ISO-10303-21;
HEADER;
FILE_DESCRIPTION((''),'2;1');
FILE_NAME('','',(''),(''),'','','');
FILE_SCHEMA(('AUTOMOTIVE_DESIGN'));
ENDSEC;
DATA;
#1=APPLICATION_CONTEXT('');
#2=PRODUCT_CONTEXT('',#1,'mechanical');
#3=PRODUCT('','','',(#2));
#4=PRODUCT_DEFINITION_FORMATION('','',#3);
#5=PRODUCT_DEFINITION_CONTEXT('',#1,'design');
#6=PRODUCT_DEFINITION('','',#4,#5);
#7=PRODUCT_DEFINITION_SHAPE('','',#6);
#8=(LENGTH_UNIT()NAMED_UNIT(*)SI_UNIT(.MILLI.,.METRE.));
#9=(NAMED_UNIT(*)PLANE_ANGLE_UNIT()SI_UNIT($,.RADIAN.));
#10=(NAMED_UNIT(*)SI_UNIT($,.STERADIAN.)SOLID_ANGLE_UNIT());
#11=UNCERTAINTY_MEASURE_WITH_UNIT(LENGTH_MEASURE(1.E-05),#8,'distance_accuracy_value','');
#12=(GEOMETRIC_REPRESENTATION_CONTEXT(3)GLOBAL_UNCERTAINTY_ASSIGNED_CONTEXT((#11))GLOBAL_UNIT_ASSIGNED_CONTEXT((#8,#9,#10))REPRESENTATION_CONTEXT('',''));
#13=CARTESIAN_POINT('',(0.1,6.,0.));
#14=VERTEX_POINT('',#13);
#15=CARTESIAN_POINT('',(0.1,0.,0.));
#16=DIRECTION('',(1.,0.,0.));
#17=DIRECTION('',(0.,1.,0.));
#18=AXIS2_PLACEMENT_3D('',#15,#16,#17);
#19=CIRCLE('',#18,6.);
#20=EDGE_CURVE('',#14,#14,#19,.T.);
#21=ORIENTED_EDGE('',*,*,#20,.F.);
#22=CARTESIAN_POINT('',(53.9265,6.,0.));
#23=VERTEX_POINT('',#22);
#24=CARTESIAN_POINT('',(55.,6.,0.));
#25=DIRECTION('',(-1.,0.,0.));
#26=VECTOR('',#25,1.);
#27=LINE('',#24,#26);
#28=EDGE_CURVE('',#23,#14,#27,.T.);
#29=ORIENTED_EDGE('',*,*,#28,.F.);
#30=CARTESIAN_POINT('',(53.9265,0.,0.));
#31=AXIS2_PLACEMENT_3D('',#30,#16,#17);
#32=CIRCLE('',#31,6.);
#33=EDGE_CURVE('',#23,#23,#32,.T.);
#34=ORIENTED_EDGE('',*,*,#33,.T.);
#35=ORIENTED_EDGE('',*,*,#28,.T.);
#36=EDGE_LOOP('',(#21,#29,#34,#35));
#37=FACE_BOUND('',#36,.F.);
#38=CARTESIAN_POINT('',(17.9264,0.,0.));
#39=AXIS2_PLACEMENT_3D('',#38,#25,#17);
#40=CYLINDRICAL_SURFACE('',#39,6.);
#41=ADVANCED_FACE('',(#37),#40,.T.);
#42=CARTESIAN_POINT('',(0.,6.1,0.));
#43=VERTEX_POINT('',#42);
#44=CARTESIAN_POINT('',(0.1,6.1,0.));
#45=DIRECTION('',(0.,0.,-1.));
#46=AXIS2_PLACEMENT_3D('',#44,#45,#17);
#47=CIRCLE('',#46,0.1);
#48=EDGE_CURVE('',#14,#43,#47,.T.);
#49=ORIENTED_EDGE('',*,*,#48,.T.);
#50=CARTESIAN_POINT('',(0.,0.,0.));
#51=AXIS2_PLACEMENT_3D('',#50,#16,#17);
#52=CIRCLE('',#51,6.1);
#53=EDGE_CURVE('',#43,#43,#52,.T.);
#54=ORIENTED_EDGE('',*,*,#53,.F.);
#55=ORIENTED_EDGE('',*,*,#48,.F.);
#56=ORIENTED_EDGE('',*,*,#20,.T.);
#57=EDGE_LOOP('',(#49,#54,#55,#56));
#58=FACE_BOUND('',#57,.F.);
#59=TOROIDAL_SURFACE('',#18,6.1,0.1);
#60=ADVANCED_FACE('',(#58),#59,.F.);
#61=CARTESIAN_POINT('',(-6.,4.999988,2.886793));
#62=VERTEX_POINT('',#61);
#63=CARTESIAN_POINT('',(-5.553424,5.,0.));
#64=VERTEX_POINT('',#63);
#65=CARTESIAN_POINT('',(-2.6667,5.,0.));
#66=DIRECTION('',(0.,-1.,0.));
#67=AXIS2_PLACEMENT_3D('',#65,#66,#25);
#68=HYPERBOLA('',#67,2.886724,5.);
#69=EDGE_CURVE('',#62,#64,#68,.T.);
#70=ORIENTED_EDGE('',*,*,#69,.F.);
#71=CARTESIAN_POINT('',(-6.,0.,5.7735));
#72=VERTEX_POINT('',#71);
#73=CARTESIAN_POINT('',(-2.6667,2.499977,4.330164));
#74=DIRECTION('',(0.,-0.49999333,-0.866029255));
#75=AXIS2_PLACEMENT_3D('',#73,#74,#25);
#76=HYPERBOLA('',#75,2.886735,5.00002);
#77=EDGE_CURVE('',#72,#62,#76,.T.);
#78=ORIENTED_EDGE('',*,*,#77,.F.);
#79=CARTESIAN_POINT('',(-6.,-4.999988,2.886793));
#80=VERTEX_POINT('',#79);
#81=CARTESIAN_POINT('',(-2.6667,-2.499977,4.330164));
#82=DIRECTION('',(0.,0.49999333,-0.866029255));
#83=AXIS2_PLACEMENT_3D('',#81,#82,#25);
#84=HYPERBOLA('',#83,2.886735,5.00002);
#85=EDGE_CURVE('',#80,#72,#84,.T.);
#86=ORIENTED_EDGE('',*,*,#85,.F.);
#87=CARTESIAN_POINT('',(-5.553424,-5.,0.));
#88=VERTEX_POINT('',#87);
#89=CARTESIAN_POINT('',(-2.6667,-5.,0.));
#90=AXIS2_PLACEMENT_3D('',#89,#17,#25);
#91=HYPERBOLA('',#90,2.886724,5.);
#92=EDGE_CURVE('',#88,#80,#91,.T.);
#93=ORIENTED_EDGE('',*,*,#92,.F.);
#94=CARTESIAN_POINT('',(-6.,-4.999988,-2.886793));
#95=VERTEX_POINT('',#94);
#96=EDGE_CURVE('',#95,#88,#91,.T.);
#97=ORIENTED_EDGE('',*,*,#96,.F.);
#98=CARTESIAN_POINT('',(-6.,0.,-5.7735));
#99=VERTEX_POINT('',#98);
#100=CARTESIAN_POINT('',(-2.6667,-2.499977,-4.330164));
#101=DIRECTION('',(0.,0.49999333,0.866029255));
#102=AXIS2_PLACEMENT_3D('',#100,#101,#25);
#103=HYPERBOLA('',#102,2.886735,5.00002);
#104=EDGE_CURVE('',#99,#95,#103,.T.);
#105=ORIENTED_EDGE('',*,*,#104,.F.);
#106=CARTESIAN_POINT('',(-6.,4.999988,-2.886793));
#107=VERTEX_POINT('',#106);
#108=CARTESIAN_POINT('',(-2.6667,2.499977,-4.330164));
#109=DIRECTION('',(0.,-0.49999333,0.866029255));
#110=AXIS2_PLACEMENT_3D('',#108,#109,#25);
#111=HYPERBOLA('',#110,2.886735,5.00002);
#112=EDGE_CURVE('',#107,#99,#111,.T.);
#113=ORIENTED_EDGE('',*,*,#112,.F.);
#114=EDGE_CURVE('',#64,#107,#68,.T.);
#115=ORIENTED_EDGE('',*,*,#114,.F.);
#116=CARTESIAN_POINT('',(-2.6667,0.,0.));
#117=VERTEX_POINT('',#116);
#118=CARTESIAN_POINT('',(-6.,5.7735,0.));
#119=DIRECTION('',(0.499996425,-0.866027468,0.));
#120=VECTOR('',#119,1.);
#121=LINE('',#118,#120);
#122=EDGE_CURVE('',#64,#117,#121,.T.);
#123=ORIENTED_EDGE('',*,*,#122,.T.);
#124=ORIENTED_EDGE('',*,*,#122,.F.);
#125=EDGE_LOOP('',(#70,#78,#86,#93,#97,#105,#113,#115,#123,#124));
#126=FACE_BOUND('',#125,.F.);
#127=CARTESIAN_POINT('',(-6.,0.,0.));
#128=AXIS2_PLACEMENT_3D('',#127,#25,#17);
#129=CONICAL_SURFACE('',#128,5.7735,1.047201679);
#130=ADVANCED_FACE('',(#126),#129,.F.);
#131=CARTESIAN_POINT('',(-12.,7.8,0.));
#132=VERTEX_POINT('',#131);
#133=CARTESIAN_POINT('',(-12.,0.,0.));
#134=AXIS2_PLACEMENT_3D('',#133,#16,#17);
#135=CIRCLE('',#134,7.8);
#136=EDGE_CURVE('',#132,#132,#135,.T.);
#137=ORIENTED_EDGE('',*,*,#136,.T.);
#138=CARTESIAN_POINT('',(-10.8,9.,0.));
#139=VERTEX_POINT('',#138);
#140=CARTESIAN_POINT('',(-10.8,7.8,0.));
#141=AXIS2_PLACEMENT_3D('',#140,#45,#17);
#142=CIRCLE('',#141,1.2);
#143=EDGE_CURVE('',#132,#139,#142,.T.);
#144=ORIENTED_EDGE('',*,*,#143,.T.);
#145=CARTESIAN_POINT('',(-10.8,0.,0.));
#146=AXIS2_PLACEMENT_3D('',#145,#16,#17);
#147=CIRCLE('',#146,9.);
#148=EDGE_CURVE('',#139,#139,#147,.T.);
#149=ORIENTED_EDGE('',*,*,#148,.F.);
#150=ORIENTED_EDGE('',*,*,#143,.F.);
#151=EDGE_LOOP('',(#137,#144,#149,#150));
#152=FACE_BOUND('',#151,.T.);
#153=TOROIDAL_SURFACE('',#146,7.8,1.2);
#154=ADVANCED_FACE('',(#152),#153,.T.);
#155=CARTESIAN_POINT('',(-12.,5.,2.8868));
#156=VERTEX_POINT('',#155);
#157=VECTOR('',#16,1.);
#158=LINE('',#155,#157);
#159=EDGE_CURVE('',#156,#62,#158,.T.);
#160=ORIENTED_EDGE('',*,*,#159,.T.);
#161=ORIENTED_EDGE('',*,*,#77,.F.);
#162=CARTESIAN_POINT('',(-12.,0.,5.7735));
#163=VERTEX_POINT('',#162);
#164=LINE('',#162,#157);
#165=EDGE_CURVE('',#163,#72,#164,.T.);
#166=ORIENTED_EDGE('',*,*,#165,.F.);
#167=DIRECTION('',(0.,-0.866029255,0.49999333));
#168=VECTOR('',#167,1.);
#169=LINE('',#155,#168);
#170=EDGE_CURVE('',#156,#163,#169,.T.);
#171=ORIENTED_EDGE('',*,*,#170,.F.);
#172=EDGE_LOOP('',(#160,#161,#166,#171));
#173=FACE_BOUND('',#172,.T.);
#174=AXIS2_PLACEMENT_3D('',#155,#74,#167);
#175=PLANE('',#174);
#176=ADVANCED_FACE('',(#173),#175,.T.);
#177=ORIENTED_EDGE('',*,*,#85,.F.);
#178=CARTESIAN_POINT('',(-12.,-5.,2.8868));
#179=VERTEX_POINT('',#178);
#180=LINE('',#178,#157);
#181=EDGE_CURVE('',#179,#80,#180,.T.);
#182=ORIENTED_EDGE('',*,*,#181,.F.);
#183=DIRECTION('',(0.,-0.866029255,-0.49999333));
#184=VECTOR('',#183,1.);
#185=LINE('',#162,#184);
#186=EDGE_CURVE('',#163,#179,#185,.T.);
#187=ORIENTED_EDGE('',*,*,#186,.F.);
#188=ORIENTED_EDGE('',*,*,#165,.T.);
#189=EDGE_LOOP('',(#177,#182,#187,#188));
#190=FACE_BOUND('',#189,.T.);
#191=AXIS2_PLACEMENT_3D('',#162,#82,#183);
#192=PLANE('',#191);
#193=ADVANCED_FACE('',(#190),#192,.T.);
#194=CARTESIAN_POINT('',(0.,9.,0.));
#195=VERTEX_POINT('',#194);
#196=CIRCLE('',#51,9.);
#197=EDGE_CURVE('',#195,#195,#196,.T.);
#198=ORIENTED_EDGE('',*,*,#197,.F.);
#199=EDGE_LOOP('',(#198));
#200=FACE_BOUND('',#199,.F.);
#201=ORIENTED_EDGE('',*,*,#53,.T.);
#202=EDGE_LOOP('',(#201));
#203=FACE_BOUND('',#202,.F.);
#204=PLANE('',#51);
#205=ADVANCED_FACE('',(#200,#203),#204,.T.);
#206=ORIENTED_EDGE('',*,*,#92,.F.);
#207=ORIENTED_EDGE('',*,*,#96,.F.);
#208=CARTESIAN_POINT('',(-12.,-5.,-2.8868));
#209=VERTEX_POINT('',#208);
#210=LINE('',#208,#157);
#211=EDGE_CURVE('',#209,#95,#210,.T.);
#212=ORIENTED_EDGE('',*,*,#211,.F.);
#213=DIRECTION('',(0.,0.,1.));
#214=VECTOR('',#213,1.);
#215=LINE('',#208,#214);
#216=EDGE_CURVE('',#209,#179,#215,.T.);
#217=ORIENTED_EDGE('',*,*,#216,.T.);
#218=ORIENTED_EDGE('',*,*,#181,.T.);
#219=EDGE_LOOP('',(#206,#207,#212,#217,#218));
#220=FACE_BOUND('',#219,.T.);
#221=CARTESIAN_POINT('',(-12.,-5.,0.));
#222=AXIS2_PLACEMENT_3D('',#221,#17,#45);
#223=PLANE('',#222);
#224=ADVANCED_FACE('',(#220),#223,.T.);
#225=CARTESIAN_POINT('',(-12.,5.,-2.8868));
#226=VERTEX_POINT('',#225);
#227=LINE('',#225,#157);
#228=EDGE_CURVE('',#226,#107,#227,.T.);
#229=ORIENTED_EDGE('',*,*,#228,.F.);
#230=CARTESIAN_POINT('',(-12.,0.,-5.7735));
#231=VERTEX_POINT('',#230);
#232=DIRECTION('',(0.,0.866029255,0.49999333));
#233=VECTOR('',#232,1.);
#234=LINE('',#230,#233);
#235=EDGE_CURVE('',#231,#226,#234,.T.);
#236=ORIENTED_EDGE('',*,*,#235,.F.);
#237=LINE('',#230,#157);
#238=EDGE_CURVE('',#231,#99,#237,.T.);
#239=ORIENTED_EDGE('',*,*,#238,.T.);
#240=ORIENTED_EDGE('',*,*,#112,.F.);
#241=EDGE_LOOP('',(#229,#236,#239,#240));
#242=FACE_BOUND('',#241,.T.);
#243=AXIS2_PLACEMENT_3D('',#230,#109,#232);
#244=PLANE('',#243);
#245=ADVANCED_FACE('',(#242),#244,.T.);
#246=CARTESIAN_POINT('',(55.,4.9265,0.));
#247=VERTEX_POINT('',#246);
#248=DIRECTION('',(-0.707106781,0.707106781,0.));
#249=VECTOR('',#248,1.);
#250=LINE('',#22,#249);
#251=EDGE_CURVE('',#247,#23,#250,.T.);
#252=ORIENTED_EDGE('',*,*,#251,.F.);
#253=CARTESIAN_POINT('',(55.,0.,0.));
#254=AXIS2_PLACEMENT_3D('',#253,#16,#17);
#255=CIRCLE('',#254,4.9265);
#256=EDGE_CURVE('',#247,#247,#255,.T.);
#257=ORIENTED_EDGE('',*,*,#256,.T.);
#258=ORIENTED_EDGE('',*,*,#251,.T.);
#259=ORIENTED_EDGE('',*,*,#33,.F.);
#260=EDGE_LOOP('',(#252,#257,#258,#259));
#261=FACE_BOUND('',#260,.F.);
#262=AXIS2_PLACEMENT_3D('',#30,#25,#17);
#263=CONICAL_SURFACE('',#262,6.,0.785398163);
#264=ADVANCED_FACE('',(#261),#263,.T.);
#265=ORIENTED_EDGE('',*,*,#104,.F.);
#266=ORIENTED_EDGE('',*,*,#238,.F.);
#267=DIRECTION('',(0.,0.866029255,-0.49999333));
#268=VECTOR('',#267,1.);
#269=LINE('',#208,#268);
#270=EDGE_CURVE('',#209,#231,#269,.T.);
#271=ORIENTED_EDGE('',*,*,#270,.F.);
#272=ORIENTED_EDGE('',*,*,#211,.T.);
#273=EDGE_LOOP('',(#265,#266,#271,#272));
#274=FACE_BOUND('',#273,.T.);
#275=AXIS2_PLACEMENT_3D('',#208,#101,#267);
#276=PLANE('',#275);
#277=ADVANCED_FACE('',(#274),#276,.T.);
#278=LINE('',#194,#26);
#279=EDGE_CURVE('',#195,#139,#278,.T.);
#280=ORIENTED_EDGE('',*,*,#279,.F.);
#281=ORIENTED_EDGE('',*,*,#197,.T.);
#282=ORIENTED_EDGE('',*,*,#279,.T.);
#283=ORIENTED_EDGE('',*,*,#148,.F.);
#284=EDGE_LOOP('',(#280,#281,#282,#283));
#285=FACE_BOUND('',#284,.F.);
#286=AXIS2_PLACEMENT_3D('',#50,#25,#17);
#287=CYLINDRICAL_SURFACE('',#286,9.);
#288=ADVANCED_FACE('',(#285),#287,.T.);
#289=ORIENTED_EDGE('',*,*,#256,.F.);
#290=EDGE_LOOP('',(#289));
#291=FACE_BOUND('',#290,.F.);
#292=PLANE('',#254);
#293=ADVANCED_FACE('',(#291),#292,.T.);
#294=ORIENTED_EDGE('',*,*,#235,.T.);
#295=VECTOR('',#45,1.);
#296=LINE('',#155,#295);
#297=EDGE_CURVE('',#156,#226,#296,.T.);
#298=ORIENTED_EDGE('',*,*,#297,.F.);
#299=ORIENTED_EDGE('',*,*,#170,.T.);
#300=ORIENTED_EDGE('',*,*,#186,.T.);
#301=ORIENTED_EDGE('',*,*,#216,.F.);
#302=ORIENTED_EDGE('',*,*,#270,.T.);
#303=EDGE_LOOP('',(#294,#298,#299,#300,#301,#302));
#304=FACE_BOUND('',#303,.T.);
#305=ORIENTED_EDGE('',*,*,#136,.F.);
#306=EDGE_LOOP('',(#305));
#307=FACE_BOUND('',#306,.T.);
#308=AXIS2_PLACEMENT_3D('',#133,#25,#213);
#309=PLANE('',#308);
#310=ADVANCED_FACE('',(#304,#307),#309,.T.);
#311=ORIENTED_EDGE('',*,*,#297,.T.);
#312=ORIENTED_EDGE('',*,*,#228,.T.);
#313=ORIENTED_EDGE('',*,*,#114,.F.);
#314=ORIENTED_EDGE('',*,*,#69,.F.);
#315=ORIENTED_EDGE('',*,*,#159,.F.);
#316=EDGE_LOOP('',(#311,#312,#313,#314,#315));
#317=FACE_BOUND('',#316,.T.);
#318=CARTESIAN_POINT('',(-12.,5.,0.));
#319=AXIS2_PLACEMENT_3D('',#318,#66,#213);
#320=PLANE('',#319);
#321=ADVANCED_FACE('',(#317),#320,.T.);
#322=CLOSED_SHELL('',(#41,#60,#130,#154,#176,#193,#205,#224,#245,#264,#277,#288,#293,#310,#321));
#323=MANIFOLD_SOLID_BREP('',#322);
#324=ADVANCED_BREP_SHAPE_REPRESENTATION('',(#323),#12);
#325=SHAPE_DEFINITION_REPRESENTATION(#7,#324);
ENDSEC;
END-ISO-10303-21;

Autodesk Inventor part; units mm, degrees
ref_plane "YZ Plane" through (0, 0, 0) normal (1, 0, 0) x (0, 1, 0)
ref_plane "XZ Plane" through (0, 0, 0) normal (0, 1, 0) x (-1, 0, 0)
sketch "Skizze1" plane through (0, 0, 0) normal (0, 0, 1) x (1, 0, 0)
  line L0 (-2.6667, 0) -> (55, 0)
  line L1 (55, 0) -> (55, 6)
  line L2 (55, 6) -> (19, 6)
  line L3 (19, 6) -> (17.9264, 6)
  line L4 (17.9264, 6) -> (0, 6)
  line L5 (0, 6) -> (0, 9)
  line L6 (0, 9) -> (-12, 9)
  line L7 (-12, 9) -> (-12, 5.7735)
  line L8 (-12, 5.7735) -> (-6, 5.7735)
  line L9 (-6, 5.7735) -> (-2.6667, 0)
  line L10 (-25.4, 0) -> (68.4, 0) projected
  line L11 (0, -1.8) -> (0, 10.8) projected
  line L12 (19, 6) -> (0, 6) construction
  dimension "d1" = 36
  dimension "d2" = 1.0736
  dimension "d3" = 12
  dimension "d4" = 6
  dimension "d5" = 60
  dimension "d6" = 12
  dimension "d7" = 12
  dimension "d8" = 11.547
  dimension "d9" = 18
  dimension "d26" = 55
revolve "Körper" add sketch "Skizze1" angle 360 about axis through (-2.6667, 0, 0) along (1, 0, 0)
sketch "Skizze2" plane through (-12, 0, 0) normal (-1, 0, 0) x (0, 0, 1)
  circle A0 centre (0, 0) radius 5.7735 projected
  line L0 (0, -12.6) -> (0, 12.6) projected
  line L1 (-12.6, 0) -> (12.6, 0) projected
  line L2 (5.7735, 0) -> (2.8868, -5)
  line L3 (2.8868, -5) -> (-2.8868, -5)
  line L4 (-2.8868, -5) -> (-5.7735, 0)
  line L5 (-5.7735, 0) -> (-2.8868, 5)
  line L6 (-2.8868, 5) -> (2.8868, 5)
  line L7 (2.8868, 5) -> (5.7735, 0)
extrude "Loch" add sketch "Skizze2" against normal up to next contours L7 A0 | A0 L2 | L6 L0 A0 | A0 L0 L3 | L0 L6 A0 | A0 L3 L0 | L4 A0 | A0 L5
fillet "Rundung1" radius 1.2 1 edges at (-12, -9, 0)
thread "Gewinde" size "M12x1.75" class "6g" standard "ISO Metric profile" length 36
chamfer "Fase1" distance 1.0735 distance2 1.0735 1 edges at (55, -6, 0) measured on face at (55, 1.497, 1.3262)
ref_plane "Work Plane1" through (29, 0, 0) normal (0, -1, 0) x (1, 0, 0)
fillet "Fillet2" radius 0.1 1 edges at (0, -6, 0)
equation "\"d1\" = GEL"
equation "\"d3\" = KOH"
equation "\"d4\" = INTI"
equation "\"d6\" = GD"
equation "\"d7\" = BDM"
equation "\"d8\" = 1.1547 * SW"
equation "\"d9\" = KOD"
equation "\"d26\" = NLG"
equation "\"d30\" = R"
equation "\"d17\" = RR"
equation "\"d13\" = GEL"
equation "\"d15\" = -0.5 * SPD + 0.5 * GD"
equation "\"d16\" = GUL"
equation "\"GD\" = 12"
equation "\"NLG\" = 55"
equation "\"GEL\" = 36"
equation "\"KOD\" = 18"
equation "\"KOH\" = 12"
equation "\"INTI\" = 6"
equation "\"GAL\" = 0.61345 * PTC"
equation "\"GUL\" = 0.61345 * PTC"
equation "\"BDM\" = NND"
equation "\"RR\" = 1.2"
equation "\"SPD\" = NND - 1.2269 * PTC"
equation "\"R\" = 0.1"
equation "\"TOA\" = 30deg"
equation "\"GD1\" = THREADDIA - 1.2269 * PTC"
equation "\"THREADDIA\" = 12"
equation "\"FAWI\" = 45deg"
equation "\"PTC\" = 1.75"
equation "\"NND\" = 12"
equation "\"E0\" = 1.155 * SW"
equation "\"SW\" = 10"
properties part number "ISO 4762 - M12 x 55" material "Edelstahl, 440C"
